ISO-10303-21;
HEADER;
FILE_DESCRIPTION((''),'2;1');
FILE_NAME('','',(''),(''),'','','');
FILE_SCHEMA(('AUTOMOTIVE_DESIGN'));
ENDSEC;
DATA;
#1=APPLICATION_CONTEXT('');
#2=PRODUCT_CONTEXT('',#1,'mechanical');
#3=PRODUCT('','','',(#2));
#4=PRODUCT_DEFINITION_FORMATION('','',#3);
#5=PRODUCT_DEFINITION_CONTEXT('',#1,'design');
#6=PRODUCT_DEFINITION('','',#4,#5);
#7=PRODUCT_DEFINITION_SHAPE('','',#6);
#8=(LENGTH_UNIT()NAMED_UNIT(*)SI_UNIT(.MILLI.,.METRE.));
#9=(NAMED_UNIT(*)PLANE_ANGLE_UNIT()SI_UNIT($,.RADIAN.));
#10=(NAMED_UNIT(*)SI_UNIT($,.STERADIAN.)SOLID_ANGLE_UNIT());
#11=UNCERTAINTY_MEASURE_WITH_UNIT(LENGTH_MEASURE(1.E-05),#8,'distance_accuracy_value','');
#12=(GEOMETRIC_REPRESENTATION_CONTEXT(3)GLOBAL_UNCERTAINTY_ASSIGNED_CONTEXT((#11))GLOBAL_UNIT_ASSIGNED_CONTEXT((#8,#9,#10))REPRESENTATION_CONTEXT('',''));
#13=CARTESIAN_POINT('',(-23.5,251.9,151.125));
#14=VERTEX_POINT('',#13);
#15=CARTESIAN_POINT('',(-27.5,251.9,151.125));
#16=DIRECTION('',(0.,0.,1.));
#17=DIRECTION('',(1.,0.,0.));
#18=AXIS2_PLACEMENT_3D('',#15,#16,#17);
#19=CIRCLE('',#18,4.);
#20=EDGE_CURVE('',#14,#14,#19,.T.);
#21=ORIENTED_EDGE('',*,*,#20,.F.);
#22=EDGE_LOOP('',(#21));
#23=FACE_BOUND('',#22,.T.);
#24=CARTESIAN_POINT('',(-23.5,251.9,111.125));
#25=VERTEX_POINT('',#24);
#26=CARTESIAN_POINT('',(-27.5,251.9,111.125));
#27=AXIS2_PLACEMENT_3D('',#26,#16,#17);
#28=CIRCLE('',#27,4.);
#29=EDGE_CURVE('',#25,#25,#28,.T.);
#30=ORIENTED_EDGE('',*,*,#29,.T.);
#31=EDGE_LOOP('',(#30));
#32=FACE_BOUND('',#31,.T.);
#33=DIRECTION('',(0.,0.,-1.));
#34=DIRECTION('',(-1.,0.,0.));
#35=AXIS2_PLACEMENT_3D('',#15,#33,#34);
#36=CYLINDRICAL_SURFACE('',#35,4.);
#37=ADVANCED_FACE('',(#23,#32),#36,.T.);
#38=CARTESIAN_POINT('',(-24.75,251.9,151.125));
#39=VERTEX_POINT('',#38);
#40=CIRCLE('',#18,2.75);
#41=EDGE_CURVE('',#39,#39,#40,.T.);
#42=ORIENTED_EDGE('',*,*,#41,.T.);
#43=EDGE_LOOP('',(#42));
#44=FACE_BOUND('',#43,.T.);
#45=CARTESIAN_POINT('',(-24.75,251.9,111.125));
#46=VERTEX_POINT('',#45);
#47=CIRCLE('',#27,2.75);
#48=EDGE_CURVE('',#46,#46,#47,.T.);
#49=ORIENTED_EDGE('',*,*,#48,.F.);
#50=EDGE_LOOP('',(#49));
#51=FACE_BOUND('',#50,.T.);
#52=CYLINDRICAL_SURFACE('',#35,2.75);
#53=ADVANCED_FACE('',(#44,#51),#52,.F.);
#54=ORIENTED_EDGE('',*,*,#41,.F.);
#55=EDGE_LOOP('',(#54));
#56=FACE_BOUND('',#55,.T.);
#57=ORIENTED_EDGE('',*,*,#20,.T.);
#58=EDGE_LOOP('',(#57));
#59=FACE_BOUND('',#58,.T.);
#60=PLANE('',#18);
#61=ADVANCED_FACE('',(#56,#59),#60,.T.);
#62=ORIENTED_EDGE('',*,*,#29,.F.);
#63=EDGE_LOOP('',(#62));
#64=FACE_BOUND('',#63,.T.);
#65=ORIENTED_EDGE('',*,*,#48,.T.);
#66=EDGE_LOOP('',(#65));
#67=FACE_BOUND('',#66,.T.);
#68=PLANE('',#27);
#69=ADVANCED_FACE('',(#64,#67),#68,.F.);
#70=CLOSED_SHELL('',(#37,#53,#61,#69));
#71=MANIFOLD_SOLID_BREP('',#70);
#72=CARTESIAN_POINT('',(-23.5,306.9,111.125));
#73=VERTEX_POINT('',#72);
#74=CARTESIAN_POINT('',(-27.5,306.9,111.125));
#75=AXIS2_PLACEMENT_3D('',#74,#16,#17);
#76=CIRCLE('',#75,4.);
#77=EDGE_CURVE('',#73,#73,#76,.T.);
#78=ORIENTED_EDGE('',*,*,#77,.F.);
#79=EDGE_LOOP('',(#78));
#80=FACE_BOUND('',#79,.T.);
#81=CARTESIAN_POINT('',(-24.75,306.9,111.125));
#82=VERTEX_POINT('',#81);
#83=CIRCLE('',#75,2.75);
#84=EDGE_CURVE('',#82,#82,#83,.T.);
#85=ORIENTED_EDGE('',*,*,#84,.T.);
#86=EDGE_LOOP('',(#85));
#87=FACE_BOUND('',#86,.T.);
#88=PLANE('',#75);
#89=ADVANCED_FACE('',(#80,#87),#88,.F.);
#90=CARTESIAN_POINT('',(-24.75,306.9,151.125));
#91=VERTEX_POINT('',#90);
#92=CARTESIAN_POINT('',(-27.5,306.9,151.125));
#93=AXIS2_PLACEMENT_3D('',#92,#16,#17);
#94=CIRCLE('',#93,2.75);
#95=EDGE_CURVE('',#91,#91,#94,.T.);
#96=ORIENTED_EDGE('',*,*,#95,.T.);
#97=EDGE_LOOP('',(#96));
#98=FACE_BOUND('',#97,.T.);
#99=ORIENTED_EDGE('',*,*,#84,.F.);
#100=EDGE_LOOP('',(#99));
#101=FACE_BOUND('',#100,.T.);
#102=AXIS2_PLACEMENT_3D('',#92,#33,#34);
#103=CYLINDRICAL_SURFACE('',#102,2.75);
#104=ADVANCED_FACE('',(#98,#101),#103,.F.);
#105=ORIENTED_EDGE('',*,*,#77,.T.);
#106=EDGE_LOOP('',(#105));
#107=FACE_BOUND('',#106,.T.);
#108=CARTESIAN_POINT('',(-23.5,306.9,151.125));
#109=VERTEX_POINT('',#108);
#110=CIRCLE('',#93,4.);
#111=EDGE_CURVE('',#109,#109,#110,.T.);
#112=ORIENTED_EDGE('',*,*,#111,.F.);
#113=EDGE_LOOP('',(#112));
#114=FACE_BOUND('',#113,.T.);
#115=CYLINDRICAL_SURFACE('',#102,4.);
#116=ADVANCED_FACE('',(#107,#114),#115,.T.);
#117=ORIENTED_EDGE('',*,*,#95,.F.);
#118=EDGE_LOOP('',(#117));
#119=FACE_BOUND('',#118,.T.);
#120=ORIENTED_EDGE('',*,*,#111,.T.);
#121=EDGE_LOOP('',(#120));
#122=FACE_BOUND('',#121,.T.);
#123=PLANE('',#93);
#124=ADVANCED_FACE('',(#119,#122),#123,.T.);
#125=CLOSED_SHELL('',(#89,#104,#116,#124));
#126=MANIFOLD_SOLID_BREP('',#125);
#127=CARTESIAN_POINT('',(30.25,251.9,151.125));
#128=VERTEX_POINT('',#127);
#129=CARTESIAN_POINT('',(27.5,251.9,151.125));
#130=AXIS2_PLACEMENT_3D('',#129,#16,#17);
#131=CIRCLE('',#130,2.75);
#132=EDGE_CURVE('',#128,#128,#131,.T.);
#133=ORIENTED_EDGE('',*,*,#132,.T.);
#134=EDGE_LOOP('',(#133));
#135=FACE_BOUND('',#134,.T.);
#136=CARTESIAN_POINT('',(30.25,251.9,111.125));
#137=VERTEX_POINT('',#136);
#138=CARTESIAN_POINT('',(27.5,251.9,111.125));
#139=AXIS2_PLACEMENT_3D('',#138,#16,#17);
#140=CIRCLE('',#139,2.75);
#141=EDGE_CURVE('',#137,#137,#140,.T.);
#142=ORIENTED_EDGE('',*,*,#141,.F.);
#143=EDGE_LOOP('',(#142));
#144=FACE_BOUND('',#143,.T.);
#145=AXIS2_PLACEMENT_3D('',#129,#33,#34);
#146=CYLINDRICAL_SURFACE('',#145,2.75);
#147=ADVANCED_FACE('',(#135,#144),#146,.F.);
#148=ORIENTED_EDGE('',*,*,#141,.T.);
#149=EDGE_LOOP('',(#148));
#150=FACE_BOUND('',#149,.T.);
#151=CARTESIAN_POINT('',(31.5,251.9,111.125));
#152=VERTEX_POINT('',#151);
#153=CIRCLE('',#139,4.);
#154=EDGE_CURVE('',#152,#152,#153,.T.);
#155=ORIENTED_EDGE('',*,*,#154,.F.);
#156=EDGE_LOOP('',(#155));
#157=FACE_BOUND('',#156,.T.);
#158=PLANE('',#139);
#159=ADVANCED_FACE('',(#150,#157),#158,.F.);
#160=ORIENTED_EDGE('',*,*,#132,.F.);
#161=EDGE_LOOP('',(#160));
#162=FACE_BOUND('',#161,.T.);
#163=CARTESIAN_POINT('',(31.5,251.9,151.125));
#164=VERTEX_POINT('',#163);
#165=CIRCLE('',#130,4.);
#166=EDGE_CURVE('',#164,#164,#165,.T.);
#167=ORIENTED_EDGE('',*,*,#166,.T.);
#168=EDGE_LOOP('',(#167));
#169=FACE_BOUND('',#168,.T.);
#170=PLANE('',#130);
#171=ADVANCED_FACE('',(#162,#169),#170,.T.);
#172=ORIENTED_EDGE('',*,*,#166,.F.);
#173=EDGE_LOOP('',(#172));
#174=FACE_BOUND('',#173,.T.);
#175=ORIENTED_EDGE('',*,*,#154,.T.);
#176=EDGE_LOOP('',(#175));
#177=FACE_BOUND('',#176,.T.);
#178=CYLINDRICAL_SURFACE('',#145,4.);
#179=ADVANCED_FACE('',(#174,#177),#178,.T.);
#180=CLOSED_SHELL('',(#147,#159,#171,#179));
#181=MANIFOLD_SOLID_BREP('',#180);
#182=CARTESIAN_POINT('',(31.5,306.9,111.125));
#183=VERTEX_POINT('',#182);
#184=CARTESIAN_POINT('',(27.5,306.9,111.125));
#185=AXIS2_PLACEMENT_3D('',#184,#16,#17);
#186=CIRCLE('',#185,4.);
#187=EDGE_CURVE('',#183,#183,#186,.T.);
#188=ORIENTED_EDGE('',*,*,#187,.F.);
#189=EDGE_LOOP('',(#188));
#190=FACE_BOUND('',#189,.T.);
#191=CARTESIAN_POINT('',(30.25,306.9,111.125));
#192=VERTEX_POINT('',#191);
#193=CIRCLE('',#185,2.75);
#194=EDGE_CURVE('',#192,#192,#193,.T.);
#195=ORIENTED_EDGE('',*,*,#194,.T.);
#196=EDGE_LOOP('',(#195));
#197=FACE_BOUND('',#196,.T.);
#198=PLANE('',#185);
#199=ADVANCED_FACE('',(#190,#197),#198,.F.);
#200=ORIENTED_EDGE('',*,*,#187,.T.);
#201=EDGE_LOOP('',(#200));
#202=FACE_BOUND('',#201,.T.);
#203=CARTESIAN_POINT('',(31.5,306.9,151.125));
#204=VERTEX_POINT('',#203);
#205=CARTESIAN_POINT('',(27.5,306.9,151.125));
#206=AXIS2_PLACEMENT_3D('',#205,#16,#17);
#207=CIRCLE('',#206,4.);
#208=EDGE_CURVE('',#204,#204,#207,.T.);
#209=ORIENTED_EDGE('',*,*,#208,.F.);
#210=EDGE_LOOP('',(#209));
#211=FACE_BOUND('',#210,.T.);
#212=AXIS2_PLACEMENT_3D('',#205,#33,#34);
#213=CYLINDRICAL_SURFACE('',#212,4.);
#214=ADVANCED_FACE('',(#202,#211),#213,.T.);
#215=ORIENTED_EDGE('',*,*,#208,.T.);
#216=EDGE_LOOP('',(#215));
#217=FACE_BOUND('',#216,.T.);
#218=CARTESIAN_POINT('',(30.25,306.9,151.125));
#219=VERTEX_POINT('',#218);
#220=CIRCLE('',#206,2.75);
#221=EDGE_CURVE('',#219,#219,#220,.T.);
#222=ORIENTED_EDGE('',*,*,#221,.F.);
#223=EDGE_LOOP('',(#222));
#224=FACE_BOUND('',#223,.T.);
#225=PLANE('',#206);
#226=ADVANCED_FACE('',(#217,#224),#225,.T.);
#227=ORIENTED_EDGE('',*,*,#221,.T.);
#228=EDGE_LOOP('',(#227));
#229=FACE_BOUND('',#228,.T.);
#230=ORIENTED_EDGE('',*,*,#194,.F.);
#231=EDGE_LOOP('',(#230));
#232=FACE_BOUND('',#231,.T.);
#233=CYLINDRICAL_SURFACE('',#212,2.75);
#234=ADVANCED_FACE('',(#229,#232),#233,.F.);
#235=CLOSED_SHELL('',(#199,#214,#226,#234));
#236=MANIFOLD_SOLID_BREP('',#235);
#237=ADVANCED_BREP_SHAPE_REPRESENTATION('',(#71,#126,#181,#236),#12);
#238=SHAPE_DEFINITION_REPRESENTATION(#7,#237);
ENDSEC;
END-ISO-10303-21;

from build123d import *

# Parameters (mm, degrees)
SKETCH1_R             = 4
SKETCH1_R_2           = 2.75
BOSS_EXTRUDE1_DEPTH   = 40
BOSS_EXTRUDE1_2_DEPTH = 40
BOSS_EXTRUDE1_3_DEPTH = 40
BOSS_EXTRUDE1_4_DEPTH = 40


with BuildPart() as part:
    # Sketch1 → Boss-Extrude1 (new body)
    with BuildSketch(Plane.XY.offset(111.125)):
        with Locations((27.5, 306.9)):
            Circle(SKETCH1_R)
        with Locations((27.5, 306.9)):
            Circle(SKETCH1_R_2, mode=Mode.SUBTRACT)
    extrude(amount=BOSS_EXTRUDE1_DEPTH)


with BuildPart() as body_2:
    # Sketch1 → Boss-Extrude1 2 (new body)
    with BuildSketch(Plane.XY.offset(111.125)):
        with Locations((-27.5, 306.9)):
            Circle(SKETCH1_R)
        with Locations((-27.5, 306.9)):
            Circle(SKETCH1_R_2, mode=Mode.SUBTRACT)
    extrude(amount=BOSS_EXTRUDE1_2_DEPTH)


with BuildPart() as body_3:
    # Sketch1 → Boss-Extrude1 3 (new body)
    with BuildSketch(Plane.XY.offset(111.125)):
        with Locations((-27.5, 251.9)):
            Circle(SKETCH1_R)
        with Locations((-27.5, 251.9)):
            Circle(SKETCH1_R_2, mode=Mode.SUBTRACT)
    extrude(amount=BOSS_EXTRUDE1_3_DEPTH)


with BuildPart() as body_4:
    # Sketch1 → Boss-Extrude1 4 (new body)
    with BuildSketch(Plane.XY.offset(111.125)):
        with Locations((27.5, 251.9)):
            Circle(SKETCH1_R)
        with Locations((27.5, 251.9)):
            Circle(SKETCH1_R_2, mode=Mode.SUBTRACT)
    extrude(amount=BOSS_EXTRUDE1_4_DEPTH)


solid = Compound([part.part, body_2.part, body_3.part, body_4.part])
